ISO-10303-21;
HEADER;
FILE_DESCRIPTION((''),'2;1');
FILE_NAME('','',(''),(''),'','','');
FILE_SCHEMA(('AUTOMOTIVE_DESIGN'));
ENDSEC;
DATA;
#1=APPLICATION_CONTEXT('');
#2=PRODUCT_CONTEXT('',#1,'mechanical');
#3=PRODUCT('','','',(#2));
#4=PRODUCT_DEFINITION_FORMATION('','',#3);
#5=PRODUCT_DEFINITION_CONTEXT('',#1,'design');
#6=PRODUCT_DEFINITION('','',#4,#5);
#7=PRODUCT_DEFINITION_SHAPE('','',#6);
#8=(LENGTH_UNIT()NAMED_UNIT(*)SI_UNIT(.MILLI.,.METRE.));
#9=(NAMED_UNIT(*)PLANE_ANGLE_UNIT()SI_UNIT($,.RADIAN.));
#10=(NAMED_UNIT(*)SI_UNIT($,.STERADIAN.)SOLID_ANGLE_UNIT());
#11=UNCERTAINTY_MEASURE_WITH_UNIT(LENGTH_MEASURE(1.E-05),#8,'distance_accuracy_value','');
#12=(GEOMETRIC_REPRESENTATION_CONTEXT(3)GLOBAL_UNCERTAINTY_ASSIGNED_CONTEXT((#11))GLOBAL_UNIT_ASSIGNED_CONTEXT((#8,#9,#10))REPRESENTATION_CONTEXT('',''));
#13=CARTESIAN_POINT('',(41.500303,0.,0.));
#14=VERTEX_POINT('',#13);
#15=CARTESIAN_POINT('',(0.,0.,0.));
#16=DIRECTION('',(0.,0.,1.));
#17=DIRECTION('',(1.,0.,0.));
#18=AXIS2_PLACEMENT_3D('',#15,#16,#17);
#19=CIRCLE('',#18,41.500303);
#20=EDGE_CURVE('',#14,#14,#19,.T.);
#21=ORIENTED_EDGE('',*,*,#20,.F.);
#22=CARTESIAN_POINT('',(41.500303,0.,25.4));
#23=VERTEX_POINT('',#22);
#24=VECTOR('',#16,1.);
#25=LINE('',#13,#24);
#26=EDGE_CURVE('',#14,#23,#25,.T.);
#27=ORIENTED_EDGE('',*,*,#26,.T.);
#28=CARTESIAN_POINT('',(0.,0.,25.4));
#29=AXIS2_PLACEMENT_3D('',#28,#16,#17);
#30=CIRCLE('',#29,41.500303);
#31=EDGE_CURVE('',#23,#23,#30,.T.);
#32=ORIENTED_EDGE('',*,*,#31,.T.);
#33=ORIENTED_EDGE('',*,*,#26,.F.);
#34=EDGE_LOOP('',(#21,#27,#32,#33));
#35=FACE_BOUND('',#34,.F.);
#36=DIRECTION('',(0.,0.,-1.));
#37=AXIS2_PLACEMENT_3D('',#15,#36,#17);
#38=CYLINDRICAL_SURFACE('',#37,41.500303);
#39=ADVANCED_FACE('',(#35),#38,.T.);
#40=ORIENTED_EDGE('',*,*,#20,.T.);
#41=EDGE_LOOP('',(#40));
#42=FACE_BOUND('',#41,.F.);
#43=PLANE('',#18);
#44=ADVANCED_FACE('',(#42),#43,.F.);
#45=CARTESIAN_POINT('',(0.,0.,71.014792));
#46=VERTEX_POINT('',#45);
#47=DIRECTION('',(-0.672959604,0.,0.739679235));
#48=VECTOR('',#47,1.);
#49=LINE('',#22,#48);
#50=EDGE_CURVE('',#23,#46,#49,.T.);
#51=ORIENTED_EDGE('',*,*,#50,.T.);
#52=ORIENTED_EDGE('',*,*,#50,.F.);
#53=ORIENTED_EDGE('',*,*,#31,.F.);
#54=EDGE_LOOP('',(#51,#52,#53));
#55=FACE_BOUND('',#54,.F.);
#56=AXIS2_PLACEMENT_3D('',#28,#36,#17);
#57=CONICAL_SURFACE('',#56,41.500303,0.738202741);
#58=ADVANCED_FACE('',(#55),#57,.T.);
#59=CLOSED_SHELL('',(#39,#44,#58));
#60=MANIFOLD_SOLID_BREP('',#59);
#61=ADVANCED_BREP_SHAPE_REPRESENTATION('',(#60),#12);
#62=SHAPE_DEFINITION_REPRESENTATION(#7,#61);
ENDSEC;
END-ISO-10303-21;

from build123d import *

# Parameters (mm, degrees)
F0_R     = 41.500303
F1_DEPTH = 25.4


with BuildPart() as f1:
    # F0 (on Top) → F1 (new body)
    with BuildSketch(Plane.XY):
        Circle(F0_R)
    extrude(amount=F1_DEPTH)

    # F2 (on Front) → F3 (revolve)
    with BuildSketch(Plane.XZ):
        Polygon((41.500303, 25.4), (0, 71.014792), (0, 25.4), align=None)
    revolve(axis=Axis((0, 0, 48.207396), (0, 0, -1)))


solid = f1.part
